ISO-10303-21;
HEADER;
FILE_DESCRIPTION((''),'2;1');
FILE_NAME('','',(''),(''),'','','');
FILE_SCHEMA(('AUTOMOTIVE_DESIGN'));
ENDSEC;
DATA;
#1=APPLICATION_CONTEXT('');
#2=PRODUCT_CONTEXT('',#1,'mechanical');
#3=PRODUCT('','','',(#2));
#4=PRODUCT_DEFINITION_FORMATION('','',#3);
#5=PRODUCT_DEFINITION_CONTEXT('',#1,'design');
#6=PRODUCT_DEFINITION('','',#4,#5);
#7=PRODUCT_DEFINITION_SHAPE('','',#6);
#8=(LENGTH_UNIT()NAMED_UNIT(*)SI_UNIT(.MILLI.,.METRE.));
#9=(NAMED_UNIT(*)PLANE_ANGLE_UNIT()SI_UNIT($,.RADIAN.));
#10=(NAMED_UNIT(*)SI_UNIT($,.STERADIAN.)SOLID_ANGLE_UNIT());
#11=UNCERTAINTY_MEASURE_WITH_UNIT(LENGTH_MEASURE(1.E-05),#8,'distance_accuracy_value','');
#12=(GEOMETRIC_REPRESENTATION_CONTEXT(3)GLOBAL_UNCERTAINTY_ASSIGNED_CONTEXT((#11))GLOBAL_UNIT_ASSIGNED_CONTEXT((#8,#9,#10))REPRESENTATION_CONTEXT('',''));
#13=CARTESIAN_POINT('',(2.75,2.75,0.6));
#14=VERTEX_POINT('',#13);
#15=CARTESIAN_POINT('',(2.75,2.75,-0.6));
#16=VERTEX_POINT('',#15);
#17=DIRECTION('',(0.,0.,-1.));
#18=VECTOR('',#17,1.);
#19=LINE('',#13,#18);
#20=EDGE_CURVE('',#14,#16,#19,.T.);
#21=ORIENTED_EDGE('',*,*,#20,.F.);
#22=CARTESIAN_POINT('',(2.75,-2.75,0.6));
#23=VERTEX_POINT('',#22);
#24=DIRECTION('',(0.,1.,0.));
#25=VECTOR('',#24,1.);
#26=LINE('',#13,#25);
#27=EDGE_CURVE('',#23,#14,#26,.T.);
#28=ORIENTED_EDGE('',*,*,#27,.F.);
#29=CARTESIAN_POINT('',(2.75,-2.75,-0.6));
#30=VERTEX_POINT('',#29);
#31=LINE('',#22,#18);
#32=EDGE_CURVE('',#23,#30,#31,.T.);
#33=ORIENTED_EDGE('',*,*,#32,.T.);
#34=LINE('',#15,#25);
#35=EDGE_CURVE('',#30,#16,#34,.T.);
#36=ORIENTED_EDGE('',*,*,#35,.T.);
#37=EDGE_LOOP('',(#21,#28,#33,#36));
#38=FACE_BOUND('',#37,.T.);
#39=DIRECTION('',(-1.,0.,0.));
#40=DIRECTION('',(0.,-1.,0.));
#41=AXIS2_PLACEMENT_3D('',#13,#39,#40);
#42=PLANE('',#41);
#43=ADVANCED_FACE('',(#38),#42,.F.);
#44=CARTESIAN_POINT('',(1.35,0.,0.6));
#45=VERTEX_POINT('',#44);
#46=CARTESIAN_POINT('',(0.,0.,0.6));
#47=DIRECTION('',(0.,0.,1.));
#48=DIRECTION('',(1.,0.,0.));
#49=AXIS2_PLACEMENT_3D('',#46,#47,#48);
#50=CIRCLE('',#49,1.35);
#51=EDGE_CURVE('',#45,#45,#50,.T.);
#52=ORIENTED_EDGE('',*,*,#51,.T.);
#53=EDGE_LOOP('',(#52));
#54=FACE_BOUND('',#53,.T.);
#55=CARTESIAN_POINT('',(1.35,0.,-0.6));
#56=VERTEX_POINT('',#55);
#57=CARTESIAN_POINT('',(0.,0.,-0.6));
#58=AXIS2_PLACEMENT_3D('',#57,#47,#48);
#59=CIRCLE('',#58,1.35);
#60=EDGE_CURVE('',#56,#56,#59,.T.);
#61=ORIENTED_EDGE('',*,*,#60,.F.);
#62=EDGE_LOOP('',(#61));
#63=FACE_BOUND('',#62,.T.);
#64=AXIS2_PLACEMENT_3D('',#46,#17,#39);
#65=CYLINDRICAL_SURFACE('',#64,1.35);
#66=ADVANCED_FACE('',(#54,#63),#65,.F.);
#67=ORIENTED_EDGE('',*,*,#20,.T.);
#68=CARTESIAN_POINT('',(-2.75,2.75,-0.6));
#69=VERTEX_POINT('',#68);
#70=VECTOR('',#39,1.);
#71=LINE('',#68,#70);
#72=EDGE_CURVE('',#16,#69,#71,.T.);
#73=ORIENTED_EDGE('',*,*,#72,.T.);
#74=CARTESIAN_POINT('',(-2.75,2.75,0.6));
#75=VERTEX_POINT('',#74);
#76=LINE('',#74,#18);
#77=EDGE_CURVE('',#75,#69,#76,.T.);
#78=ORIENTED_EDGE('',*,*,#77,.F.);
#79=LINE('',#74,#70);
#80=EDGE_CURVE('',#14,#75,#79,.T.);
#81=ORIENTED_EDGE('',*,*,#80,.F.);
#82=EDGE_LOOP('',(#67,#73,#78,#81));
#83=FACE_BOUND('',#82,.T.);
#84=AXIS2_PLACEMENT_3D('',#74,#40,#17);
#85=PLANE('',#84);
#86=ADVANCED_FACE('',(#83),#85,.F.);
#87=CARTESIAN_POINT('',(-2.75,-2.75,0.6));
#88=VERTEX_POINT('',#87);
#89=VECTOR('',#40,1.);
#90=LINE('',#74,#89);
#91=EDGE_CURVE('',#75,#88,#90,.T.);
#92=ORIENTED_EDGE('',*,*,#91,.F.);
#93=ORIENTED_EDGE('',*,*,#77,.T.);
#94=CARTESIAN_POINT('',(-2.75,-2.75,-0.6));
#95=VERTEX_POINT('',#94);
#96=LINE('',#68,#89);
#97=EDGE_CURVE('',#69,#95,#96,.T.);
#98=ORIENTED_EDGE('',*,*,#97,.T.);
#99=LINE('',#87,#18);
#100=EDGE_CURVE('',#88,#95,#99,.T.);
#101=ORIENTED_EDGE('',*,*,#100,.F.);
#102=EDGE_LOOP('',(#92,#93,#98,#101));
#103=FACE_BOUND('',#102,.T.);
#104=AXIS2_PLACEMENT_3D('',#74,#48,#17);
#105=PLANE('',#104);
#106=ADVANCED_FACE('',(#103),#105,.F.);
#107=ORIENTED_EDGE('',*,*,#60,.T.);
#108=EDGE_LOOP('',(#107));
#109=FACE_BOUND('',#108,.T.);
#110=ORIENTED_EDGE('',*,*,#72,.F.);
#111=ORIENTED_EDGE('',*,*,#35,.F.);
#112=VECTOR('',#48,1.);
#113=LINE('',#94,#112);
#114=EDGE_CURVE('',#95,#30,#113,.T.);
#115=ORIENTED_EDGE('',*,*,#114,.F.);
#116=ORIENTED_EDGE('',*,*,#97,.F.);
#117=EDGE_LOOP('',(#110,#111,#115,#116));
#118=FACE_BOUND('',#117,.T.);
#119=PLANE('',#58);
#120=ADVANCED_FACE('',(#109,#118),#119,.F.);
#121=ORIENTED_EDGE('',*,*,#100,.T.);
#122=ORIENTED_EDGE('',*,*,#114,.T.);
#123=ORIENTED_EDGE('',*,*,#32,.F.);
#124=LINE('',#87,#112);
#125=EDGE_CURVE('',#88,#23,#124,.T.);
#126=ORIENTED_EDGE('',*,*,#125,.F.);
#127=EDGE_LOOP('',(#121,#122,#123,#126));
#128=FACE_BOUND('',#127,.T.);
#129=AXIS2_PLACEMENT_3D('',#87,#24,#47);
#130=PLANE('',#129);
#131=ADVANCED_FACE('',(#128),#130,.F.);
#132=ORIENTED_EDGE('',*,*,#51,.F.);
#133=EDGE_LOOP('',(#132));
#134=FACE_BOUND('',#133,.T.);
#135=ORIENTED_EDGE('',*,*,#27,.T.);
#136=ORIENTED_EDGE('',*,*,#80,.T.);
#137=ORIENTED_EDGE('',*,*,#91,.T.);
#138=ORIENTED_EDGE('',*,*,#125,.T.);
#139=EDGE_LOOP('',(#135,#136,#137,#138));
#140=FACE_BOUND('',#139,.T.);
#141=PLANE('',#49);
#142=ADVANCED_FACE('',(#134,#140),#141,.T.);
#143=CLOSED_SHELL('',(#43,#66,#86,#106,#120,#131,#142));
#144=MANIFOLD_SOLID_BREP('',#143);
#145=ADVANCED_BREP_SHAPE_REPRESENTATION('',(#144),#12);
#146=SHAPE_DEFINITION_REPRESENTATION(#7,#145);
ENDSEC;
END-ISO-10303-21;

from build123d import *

# Parameters (mm, degrees)
ESBO_O1_W                = 5.5
ESBO_O1_H                = 5.5
ESBO_O1_R                = 1.35
RESSALTO_EXTRUS_O1_DEPTH = 0.6


with BuildPart() as part:
    # Esboço1 → Ressalto-extrusão1 (new, symmetric)
    with BuildSketch(Plane.XY):
        Rectangle(ESBO_O1_W, ESBO_O1_H)
        Circle(ESBO_O1_R, mode=Mode.SUBTRACT)
    extrude(amount=RESSALTO_EXTRUS_O1_DEPTH, both=True)


solid = part.part
